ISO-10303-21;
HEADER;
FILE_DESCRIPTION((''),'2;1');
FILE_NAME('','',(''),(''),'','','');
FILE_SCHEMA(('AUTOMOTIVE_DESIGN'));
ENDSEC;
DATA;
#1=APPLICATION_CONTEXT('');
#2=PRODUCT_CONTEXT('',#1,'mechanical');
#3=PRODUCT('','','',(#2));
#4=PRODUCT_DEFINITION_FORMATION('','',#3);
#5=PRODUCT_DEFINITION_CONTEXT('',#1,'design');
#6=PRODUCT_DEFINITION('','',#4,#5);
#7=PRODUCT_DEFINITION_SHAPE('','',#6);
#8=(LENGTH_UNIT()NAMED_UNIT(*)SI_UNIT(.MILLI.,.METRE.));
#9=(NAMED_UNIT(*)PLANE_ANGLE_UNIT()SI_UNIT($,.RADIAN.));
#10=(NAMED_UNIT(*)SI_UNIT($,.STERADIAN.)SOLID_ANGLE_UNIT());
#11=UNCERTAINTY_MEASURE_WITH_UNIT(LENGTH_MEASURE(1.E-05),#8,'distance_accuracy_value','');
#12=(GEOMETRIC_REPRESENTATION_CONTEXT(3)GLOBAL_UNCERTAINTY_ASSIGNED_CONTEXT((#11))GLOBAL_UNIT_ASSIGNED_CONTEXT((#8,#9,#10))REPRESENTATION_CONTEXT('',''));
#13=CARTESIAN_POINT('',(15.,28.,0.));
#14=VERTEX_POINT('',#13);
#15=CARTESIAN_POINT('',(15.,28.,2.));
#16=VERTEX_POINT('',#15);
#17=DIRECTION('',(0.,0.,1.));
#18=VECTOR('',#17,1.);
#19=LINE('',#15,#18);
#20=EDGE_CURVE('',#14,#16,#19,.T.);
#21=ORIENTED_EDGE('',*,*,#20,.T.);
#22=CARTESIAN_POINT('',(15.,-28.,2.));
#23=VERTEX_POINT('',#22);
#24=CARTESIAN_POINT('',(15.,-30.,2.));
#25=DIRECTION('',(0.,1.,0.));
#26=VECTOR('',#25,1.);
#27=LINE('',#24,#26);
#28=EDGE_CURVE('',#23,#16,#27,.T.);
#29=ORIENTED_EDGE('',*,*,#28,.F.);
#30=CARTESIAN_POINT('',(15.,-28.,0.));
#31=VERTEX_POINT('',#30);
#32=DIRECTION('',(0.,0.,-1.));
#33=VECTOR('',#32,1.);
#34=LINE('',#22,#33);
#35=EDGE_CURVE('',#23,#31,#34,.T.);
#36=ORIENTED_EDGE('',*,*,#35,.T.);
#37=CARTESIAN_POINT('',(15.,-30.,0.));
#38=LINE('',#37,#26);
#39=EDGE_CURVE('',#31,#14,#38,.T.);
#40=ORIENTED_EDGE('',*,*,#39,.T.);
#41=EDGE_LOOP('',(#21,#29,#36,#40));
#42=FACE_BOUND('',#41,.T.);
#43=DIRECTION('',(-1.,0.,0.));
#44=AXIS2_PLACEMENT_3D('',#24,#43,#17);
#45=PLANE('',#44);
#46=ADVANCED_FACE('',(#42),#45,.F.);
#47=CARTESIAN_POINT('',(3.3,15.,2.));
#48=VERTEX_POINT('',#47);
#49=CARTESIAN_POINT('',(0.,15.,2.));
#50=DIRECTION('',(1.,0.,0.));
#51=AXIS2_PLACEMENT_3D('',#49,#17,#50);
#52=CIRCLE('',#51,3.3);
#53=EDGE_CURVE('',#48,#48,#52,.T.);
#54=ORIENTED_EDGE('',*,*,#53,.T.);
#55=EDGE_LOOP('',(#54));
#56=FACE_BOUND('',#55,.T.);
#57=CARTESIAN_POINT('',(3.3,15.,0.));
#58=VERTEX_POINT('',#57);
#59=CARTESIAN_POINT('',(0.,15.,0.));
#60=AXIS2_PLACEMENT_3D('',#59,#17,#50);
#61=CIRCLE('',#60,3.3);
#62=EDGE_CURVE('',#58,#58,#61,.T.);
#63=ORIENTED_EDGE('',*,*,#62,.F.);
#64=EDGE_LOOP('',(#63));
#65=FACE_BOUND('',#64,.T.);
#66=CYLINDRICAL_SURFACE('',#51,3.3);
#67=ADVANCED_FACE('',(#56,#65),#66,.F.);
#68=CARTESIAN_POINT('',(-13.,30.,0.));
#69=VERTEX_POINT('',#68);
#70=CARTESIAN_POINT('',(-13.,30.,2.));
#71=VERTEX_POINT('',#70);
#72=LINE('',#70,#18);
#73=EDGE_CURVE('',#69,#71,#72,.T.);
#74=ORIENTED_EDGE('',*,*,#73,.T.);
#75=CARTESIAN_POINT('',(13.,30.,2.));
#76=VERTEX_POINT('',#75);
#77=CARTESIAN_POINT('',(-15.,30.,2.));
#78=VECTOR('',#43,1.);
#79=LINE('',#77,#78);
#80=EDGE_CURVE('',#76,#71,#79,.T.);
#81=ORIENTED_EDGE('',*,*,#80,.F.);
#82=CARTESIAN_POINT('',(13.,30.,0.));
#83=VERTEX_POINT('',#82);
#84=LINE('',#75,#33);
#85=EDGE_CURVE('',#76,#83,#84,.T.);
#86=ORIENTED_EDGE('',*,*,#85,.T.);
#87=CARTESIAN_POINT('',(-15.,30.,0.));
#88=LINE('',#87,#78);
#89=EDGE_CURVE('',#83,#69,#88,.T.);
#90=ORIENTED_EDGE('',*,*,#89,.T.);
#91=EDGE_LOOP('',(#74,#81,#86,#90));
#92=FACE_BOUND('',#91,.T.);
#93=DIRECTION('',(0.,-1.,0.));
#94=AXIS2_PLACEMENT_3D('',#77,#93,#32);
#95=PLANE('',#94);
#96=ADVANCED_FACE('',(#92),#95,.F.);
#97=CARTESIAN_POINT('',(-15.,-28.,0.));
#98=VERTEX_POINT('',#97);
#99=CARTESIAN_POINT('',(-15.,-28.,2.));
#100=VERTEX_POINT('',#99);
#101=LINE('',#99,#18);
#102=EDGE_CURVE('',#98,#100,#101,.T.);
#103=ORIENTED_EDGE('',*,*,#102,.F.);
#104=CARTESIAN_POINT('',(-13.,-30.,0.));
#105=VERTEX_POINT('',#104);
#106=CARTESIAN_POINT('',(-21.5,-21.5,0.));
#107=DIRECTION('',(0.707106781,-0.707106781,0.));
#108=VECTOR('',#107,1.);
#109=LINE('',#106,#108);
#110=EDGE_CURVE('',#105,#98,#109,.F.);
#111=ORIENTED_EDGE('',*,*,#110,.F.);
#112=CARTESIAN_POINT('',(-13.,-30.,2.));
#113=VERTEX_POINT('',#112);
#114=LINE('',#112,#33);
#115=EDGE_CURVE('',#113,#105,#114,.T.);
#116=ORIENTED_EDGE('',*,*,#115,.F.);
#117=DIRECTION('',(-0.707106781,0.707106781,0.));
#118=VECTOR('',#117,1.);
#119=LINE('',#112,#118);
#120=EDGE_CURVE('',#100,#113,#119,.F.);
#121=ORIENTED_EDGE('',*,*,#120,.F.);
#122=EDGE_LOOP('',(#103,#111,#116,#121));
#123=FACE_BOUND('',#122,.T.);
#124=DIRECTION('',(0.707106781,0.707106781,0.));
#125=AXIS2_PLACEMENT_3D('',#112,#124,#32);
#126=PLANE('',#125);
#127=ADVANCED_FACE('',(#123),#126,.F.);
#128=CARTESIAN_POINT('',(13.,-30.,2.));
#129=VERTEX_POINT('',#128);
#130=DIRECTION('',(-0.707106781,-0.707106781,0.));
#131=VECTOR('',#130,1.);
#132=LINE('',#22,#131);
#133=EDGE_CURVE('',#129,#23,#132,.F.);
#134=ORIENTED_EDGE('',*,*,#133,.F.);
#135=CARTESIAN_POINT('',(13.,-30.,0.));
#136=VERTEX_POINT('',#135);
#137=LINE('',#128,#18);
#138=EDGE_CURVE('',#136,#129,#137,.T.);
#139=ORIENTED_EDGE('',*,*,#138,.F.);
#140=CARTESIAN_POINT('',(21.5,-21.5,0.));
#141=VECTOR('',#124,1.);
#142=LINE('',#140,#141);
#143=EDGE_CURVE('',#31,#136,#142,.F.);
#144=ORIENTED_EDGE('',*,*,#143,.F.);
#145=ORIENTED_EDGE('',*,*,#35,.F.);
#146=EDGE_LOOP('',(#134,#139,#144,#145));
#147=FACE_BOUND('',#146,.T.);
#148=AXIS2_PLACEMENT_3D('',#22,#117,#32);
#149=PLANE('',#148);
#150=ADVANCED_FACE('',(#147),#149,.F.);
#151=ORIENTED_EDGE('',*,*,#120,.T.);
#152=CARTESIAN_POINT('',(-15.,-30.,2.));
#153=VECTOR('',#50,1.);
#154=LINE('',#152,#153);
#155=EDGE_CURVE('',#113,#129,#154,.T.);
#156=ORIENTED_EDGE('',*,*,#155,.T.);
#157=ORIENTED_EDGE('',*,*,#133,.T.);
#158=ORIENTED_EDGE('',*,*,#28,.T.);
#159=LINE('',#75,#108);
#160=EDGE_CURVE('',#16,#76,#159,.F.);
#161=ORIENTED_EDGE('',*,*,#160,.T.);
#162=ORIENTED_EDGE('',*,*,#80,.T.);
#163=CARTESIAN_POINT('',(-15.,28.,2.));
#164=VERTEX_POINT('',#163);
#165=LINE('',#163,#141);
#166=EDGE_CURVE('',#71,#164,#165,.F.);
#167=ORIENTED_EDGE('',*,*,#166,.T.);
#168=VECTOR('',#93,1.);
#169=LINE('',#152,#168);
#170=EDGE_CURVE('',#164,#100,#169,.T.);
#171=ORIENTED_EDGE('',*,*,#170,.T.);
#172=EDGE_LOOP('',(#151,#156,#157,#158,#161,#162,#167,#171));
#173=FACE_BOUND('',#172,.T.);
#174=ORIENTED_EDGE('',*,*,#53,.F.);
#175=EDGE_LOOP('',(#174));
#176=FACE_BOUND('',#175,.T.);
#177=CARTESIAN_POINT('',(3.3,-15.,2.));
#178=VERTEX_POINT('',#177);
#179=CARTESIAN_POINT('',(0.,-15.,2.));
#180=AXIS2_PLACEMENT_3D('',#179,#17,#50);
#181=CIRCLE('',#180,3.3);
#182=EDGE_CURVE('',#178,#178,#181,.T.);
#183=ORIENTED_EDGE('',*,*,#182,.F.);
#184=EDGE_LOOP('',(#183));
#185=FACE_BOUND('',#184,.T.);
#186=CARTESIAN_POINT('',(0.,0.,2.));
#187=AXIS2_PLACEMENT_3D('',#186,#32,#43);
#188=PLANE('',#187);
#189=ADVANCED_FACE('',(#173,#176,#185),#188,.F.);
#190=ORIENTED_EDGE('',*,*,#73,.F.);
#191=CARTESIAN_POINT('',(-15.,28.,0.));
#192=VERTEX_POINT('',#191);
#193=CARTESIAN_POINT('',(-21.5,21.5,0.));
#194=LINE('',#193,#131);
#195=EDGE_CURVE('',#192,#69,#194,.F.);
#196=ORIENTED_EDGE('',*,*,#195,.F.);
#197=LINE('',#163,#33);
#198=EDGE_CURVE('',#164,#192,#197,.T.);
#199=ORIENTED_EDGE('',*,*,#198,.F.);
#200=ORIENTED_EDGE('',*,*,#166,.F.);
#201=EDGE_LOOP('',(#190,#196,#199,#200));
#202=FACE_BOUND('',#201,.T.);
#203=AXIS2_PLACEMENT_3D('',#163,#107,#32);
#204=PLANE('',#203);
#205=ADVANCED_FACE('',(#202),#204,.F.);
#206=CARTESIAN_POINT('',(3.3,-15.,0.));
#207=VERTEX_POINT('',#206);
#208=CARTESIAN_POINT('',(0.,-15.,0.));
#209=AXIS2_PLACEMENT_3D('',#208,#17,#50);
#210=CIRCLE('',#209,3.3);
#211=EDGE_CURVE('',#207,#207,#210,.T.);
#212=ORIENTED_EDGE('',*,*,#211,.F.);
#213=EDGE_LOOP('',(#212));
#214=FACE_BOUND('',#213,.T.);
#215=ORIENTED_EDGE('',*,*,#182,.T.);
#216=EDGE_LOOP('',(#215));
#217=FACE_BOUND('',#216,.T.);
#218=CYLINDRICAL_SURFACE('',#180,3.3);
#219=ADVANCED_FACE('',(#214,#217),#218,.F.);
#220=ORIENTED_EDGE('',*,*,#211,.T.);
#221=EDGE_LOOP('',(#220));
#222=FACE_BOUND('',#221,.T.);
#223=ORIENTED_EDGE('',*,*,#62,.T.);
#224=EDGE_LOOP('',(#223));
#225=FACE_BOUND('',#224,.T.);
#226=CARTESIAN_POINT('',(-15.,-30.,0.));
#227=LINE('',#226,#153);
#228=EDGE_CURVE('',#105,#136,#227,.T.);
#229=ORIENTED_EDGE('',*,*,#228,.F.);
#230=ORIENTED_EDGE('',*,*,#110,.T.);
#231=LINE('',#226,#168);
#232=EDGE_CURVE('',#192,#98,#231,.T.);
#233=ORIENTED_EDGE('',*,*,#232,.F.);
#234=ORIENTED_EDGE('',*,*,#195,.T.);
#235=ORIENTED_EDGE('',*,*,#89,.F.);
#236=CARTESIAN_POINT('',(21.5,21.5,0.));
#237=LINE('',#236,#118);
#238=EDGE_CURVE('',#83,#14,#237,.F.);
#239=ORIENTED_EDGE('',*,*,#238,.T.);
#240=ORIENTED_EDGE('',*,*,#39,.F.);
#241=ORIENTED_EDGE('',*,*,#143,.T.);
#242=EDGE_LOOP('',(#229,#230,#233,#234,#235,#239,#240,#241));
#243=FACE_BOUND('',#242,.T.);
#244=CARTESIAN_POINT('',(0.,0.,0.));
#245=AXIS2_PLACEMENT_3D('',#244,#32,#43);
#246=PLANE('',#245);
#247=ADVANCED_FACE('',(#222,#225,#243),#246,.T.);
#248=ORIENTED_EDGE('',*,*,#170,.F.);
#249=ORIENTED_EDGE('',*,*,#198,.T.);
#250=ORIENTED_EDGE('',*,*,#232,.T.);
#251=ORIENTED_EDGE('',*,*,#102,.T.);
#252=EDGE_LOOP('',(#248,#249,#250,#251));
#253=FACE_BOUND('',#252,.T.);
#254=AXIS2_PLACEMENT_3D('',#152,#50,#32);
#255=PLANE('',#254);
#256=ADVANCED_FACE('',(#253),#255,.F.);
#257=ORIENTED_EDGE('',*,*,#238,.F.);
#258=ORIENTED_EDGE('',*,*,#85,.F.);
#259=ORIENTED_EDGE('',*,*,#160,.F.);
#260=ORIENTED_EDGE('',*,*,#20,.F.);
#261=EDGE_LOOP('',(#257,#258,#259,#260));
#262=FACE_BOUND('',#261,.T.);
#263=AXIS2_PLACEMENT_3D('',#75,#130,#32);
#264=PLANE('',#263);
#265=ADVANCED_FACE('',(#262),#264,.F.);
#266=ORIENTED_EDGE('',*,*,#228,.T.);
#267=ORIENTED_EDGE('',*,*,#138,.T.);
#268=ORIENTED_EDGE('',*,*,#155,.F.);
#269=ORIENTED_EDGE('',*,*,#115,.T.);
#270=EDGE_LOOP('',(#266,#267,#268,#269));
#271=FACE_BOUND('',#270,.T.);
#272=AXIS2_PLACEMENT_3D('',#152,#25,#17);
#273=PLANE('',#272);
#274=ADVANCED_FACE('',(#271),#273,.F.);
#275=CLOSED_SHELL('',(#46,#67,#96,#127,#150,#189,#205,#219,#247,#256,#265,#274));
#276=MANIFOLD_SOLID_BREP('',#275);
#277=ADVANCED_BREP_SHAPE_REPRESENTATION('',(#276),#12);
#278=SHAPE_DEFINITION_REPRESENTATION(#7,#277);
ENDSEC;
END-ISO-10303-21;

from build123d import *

# Parameters (mm, degrees)
SKETCH_1_W        = 30
SKETCH_1_H        = 60
EXTRUDE_1_DEPTH   = 2
CHAMFER_1_SIZE    = 2
HOLE_WIZARD_M61_D = 6.6


with BuildPart() as part:
    # Эскиз1 → Бобышка-Вытянуть1 (new body)
    with BuildSketch(Plane.XY):
        Rectangle(SKETCH_1_W, SKETCH_1_H)
    extrude(amount=EXTRUDE_1_DEPTH)

    # Фаска1
    chamfer_1_edges = [part.edges().sort_by_distance(p)[0] for p in [
        (15, -30, 1),
        (-15, -30, 1),
        (-15, 30, 1),
        (15, 30, 1),
    ]]
    chamfer(chamfer_1_edges, length=CHAMFER_1_SIZE)

    # Отверстие с зазором M61 (through all)
    with Locations(Plane.XY.offset(2)):
        with Locations((0, -45), (0, 45), (0, 15), (0, -15)):
            Hole(HOLE_WIZARD_M61_D / 2)


solid = part.part
